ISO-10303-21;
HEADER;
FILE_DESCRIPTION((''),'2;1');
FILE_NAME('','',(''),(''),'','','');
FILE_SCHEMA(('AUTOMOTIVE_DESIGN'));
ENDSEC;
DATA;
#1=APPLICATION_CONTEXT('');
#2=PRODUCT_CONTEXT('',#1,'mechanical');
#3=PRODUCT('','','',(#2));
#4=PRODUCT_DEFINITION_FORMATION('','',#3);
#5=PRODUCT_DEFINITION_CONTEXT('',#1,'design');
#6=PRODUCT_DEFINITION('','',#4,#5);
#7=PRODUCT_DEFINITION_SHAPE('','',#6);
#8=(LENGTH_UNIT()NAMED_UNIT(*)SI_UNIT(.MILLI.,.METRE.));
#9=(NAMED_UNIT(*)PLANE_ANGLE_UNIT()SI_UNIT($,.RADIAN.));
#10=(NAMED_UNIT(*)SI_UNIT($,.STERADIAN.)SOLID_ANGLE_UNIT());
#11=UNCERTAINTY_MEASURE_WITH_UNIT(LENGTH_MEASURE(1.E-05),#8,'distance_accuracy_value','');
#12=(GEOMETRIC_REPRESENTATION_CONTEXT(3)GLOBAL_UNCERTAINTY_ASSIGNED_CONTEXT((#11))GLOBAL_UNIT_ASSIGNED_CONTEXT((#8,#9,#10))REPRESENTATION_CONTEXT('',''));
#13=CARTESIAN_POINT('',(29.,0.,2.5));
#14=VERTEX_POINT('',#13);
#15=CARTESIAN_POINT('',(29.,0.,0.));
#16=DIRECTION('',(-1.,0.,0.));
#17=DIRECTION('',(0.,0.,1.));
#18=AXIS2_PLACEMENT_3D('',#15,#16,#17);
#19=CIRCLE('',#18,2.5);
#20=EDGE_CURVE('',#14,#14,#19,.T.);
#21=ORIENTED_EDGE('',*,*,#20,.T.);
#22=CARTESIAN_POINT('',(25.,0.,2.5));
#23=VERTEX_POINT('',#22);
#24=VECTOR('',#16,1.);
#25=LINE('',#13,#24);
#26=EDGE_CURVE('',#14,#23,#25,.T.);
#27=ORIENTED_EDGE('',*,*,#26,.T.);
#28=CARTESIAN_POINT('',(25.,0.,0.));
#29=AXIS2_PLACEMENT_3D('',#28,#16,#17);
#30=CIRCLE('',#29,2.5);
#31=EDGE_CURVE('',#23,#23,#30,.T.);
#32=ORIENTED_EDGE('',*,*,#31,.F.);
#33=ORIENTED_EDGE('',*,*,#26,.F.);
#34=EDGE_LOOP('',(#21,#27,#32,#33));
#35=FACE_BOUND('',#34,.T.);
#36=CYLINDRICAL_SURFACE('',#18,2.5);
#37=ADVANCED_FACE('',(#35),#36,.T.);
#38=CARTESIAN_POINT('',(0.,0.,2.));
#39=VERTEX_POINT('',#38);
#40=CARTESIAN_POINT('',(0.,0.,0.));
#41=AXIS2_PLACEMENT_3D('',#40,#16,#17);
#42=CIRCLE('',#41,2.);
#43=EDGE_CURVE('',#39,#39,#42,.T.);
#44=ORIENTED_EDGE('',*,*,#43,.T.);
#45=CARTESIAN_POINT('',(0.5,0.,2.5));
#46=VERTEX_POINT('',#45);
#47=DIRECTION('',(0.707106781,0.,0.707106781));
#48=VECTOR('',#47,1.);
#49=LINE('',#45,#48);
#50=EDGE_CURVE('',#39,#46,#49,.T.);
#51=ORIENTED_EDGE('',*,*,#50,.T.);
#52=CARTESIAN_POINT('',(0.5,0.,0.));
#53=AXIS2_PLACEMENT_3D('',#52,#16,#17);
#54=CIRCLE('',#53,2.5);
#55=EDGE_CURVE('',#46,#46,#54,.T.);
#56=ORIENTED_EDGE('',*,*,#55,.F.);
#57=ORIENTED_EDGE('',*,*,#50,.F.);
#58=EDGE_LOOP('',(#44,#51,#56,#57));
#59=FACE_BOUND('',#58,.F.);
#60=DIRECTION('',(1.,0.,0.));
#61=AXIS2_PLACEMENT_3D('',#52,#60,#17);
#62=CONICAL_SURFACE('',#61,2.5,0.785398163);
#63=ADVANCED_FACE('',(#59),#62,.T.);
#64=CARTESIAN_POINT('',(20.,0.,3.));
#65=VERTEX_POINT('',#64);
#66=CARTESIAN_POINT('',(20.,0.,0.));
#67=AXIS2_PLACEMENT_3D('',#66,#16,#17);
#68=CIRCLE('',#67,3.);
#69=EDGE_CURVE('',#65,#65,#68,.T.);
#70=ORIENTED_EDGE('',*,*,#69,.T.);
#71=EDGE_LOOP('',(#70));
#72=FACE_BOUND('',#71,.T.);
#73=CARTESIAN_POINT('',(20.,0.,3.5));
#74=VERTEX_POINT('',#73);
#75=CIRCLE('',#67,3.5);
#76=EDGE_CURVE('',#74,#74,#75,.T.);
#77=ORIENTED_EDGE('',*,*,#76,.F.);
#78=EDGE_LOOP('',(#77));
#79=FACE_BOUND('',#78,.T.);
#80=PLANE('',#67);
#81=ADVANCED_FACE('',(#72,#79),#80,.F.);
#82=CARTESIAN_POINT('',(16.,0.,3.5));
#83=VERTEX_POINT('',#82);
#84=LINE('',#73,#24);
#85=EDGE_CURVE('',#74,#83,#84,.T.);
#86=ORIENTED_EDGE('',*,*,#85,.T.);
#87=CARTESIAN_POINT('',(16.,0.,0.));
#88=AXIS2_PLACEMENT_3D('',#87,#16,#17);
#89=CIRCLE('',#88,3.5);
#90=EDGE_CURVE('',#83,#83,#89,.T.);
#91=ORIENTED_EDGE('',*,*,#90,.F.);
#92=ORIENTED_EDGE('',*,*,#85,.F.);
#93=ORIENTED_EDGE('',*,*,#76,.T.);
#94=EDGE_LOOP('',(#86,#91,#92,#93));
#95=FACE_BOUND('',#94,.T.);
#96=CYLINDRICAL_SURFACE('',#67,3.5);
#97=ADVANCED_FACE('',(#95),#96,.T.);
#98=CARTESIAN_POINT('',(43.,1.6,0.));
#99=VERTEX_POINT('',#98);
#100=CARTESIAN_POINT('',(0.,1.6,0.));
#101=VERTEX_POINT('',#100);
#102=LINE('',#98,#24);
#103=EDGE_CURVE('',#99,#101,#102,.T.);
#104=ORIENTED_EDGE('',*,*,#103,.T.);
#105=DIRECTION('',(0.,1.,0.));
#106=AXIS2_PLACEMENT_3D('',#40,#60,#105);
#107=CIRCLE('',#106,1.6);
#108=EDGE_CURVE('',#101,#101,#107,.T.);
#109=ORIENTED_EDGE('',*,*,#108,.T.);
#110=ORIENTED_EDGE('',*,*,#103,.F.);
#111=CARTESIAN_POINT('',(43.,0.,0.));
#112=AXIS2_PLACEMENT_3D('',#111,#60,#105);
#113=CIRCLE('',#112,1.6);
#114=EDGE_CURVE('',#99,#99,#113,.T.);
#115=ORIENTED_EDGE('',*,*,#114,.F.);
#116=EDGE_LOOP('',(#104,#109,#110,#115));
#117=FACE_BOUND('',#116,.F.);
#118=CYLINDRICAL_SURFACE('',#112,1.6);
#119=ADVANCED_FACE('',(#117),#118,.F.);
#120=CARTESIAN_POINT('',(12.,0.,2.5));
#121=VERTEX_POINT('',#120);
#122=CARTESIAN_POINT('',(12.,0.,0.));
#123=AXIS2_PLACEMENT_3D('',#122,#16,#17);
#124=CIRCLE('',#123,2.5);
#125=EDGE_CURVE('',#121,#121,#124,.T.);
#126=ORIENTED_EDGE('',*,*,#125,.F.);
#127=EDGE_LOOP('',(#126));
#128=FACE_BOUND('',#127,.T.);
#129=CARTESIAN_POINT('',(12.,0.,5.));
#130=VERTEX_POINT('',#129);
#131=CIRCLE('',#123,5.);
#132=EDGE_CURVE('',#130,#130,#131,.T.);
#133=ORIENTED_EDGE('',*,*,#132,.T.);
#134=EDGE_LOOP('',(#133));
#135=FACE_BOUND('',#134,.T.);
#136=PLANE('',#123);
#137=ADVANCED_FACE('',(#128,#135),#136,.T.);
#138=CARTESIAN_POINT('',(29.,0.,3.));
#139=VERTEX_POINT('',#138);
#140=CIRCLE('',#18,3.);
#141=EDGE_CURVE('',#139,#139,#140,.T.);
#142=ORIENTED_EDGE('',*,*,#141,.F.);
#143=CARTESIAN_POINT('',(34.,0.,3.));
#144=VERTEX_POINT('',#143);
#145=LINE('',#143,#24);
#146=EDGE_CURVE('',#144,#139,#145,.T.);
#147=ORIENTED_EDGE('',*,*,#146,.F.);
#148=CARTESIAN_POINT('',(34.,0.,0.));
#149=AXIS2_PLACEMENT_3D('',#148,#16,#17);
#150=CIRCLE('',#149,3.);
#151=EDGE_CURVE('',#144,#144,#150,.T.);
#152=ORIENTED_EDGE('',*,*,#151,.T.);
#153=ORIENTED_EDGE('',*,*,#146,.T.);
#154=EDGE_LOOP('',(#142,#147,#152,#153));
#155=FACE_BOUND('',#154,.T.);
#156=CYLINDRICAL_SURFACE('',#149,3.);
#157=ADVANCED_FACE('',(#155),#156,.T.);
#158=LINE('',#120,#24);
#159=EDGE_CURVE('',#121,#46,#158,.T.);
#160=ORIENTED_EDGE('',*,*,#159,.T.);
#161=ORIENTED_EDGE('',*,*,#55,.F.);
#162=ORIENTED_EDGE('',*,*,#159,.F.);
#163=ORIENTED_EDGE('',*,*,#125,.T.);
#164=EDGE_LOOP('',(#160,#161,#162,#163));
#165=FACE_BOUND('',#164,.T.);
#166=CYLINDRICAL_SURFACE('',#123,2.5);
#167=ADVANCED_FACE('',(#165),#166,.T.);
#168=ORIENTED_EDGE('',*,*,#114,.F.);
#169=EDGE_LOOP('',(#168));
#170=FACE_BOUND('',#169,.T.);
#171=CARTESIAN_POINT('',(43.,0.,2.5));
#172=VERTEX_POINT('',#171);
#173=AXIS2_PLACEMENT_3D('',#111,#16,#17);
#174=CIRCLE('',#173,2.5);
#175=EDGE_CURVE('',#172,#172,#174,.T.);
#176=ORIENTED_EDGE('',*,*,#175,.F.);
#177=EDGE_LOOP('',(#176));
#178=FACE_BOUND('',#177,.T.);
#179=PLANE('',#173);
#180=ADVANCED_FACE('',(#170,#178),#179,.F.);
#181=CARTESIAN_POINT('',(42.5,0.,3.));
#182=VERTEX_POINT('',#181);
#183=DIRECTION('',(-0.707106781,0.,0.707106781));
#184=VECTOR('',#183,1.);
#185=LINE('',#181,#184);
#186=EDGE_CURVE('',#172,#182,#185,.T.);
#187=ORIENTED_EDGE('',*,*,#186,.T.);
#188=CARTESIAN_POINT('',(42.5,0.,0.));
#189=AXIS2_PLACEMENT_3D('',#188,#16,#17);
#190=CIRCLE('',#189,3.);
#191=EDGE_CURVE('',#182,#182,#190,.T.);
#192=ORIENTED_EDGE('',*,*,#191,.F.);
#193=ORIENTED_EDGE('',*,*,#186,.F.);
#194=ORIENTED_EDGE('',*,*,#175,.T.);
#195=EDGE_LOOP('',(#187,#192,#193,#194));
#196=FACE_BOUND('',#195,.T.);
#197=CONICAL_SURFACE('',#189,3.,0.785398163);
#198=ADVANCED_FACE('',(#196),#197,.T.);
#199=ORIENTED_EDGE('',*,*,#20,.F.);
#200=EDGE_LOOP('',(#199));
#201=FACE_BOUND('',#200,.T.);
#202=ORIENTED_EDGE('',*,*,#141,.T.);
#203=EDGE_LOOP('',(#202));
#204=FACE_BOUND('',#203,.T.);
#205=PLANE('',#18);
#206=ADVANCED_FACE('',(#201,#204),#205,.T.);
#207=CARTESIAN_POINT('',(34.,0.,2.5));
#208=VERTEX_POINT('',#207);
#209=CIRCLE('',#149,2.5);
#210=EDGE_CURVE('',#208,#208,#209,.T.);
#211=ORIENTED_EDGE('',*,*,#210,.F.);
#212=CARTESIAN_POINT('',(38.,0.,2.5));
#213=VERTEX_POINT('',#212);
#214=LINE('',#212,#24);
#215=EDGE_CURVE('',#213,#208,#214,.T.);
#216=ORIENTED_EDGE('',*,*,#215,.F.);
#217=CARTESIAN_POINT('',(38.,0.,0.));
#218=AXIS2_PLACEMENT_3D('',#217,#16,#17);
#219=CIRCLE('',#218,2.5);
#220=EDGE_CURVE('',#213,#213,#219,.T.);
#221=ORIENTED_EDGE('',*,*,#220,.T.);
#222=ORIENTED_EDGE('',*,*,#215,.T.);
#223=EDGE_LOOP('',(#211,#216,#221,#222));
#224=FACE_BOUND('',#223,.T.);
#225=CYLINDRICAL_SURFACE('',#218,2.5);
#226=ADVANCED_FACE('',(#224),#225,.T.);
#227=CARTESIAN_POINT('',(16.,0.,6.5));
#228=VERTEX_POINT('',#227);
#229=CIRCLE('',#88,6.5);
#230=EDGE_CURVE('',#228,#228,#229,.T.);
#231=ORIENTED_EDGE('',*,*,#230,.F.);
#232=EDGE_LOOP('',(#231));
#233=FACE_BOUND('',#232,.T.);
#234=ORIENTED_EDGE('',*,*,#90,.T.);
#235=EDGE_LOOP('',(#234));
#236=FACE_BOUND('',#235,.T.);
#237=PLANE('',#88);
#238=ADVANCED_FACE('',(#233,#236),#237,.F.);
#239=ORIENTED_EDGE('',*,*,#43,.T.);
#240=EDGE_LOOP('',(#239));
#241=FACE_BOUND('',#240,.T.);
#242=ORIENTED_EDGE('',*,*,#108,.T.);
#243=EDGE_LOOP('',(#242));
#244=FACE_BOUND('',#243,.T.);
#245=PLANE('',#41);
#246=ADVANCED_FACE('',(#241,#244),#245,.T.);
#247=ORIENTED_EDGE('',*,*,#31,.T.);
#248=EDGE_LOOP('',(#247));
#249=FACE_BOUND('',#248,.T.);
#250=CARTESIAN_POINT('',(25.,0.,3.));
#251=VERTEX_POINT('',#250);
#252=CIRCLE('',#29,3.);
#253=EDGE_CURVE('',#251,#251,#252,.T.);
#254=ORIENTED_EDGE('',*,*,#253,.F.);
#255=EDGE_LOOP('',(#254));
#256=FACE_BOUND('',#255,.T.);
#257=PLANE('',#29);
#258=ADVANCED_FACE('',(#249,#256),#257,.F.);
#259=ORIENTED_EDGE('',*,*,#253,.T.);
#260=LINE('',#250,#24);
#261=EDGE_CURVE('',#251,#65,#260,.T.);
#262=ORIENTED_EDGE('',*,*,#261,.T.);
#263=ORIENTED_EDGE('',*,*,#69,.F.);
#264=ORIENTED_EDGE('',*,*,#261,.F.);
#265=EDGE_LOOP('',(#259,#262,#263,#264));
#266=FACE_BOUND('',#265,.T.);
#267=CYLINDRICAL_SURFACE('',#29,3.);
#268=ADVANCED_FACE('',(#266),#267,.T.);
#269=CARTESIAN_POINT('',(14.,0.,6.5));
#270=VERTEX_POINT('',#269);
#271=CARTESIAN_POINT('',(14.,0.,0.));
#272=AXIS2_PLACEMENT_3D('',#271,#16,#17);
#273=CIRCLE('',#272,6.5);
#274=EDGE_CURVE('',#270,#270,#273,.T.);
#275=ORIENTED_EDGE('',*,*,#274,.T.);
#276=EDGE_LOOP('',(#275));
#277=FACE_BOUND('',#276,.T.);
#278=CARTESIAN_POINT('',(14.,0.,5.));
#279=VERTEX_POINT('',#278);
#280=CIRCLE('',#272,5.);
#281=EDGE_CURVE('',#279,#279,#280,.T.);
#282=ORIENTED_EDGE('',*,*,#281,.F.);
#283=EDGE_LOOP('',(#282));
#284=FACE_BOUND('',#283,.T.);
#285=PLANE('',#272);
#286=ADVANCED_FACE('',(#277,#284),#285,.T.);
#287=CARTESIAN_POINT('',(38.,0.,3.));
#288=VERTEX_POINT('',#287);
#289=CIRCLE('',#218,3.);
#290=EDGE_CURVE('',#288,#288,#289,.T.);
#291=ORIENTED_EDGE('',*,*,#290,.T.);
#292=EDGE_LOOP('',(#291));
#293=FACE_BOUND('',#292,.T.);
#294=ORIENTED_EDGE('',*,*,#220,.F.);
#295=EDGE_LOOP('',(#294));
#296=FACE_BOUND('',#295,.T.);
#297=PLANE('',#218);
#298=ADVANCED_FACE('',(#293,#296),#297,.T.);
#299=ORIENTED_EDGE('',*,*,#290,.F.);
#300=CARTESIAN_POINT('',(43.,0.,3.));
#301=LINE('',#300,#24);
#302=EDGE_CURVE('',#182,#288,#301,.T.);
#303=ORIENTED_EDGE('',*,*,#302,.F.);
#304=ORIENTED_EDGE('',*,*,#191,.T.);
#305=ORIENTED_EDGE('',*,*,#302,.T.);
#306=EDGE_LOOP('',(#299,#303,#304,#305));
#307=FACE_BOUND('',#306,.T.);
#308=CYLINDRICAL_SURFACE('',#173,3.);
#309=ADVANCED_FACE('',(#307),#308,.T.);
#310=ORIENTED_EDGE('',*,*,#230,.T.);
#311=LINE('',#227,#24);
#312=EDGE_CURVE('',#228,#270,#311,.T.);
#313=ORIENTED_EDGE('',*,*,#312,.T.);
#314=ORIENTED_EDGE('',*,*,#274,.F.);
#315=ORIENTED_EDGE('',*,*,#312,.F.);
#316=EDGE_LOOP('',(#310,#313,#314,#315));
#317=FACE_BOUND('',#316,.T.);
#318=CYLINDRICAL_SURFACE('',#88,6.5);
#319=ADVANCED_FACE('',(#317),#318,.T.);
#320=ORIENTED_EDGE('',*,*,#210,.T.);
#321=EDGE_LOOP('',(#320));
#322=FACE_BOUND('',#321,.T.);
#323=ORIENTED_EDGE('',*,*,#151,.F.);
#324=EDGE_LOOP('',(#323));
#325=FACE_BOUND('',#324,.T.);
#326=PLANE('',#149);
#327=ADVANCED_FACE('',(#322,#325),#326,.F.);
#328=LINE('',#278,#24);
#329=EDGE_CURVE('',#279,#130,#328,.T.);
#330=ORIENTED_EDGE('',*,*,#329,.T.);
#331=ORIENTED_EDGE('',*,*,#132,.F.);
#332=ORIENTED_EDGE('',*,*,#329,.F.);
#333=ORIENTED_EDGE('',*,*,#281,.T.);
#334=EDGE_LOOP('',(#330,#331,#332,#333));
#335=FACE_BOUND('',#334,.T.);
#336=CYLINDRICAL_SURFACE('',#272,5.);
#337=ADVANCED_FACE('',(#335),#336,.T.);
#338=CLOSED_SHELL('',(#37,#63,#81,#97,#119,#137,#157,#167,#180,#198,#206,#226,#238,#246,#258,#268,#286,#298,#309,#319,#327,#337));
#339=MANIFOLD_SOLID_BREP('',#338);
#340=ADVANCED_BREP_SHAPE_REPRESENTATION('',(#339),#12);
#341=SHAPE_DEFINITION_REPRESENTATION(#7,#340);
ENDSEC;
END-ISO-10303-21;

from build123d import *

# Parameters (mm, degrees)
F2_R     = 1.6
F3_DEPTH = 43.001
F4_SIZE  = 0.5


with BuildPart() as f1:
    # F0 (on Front) → F1 (revolve)
    with BuildSketch(Plane.XZ):
        Polygon((0, 2.5), (0, 0), (43, 0), (43, 3), (38, 3), (38, 2.5), (34, 2.5), (34, 3), (29, 3), (29, 2.5), (25, 2.5), (25, 3), (20, 3), (20, 3.5), (16, 3.5), (16, 6.5), (14, 6.5), (14, 5), (12, 5), (12, 2.5), align=None)
    revolve(axis=Axis((-2.710388, 0, 0), (-1, 0, 0)))

    # F2 (on face) → F3 (cut, through all)
    with BuildSketch(Plane.YZ.offset(43)):
        Circle(F2_R)
    extrude(amount=-F3_DEPTH, mode=Mode.SUBTRACT)

    # F4
    f4_edges = [f1.edges().sort_by_distance(p)[0] for p in [
        (43, 0, -3),
        (0, 0, -2.5),
    ]]
    chamfer(f4_edges, length=F4_SIZE)


solid = f1.part
